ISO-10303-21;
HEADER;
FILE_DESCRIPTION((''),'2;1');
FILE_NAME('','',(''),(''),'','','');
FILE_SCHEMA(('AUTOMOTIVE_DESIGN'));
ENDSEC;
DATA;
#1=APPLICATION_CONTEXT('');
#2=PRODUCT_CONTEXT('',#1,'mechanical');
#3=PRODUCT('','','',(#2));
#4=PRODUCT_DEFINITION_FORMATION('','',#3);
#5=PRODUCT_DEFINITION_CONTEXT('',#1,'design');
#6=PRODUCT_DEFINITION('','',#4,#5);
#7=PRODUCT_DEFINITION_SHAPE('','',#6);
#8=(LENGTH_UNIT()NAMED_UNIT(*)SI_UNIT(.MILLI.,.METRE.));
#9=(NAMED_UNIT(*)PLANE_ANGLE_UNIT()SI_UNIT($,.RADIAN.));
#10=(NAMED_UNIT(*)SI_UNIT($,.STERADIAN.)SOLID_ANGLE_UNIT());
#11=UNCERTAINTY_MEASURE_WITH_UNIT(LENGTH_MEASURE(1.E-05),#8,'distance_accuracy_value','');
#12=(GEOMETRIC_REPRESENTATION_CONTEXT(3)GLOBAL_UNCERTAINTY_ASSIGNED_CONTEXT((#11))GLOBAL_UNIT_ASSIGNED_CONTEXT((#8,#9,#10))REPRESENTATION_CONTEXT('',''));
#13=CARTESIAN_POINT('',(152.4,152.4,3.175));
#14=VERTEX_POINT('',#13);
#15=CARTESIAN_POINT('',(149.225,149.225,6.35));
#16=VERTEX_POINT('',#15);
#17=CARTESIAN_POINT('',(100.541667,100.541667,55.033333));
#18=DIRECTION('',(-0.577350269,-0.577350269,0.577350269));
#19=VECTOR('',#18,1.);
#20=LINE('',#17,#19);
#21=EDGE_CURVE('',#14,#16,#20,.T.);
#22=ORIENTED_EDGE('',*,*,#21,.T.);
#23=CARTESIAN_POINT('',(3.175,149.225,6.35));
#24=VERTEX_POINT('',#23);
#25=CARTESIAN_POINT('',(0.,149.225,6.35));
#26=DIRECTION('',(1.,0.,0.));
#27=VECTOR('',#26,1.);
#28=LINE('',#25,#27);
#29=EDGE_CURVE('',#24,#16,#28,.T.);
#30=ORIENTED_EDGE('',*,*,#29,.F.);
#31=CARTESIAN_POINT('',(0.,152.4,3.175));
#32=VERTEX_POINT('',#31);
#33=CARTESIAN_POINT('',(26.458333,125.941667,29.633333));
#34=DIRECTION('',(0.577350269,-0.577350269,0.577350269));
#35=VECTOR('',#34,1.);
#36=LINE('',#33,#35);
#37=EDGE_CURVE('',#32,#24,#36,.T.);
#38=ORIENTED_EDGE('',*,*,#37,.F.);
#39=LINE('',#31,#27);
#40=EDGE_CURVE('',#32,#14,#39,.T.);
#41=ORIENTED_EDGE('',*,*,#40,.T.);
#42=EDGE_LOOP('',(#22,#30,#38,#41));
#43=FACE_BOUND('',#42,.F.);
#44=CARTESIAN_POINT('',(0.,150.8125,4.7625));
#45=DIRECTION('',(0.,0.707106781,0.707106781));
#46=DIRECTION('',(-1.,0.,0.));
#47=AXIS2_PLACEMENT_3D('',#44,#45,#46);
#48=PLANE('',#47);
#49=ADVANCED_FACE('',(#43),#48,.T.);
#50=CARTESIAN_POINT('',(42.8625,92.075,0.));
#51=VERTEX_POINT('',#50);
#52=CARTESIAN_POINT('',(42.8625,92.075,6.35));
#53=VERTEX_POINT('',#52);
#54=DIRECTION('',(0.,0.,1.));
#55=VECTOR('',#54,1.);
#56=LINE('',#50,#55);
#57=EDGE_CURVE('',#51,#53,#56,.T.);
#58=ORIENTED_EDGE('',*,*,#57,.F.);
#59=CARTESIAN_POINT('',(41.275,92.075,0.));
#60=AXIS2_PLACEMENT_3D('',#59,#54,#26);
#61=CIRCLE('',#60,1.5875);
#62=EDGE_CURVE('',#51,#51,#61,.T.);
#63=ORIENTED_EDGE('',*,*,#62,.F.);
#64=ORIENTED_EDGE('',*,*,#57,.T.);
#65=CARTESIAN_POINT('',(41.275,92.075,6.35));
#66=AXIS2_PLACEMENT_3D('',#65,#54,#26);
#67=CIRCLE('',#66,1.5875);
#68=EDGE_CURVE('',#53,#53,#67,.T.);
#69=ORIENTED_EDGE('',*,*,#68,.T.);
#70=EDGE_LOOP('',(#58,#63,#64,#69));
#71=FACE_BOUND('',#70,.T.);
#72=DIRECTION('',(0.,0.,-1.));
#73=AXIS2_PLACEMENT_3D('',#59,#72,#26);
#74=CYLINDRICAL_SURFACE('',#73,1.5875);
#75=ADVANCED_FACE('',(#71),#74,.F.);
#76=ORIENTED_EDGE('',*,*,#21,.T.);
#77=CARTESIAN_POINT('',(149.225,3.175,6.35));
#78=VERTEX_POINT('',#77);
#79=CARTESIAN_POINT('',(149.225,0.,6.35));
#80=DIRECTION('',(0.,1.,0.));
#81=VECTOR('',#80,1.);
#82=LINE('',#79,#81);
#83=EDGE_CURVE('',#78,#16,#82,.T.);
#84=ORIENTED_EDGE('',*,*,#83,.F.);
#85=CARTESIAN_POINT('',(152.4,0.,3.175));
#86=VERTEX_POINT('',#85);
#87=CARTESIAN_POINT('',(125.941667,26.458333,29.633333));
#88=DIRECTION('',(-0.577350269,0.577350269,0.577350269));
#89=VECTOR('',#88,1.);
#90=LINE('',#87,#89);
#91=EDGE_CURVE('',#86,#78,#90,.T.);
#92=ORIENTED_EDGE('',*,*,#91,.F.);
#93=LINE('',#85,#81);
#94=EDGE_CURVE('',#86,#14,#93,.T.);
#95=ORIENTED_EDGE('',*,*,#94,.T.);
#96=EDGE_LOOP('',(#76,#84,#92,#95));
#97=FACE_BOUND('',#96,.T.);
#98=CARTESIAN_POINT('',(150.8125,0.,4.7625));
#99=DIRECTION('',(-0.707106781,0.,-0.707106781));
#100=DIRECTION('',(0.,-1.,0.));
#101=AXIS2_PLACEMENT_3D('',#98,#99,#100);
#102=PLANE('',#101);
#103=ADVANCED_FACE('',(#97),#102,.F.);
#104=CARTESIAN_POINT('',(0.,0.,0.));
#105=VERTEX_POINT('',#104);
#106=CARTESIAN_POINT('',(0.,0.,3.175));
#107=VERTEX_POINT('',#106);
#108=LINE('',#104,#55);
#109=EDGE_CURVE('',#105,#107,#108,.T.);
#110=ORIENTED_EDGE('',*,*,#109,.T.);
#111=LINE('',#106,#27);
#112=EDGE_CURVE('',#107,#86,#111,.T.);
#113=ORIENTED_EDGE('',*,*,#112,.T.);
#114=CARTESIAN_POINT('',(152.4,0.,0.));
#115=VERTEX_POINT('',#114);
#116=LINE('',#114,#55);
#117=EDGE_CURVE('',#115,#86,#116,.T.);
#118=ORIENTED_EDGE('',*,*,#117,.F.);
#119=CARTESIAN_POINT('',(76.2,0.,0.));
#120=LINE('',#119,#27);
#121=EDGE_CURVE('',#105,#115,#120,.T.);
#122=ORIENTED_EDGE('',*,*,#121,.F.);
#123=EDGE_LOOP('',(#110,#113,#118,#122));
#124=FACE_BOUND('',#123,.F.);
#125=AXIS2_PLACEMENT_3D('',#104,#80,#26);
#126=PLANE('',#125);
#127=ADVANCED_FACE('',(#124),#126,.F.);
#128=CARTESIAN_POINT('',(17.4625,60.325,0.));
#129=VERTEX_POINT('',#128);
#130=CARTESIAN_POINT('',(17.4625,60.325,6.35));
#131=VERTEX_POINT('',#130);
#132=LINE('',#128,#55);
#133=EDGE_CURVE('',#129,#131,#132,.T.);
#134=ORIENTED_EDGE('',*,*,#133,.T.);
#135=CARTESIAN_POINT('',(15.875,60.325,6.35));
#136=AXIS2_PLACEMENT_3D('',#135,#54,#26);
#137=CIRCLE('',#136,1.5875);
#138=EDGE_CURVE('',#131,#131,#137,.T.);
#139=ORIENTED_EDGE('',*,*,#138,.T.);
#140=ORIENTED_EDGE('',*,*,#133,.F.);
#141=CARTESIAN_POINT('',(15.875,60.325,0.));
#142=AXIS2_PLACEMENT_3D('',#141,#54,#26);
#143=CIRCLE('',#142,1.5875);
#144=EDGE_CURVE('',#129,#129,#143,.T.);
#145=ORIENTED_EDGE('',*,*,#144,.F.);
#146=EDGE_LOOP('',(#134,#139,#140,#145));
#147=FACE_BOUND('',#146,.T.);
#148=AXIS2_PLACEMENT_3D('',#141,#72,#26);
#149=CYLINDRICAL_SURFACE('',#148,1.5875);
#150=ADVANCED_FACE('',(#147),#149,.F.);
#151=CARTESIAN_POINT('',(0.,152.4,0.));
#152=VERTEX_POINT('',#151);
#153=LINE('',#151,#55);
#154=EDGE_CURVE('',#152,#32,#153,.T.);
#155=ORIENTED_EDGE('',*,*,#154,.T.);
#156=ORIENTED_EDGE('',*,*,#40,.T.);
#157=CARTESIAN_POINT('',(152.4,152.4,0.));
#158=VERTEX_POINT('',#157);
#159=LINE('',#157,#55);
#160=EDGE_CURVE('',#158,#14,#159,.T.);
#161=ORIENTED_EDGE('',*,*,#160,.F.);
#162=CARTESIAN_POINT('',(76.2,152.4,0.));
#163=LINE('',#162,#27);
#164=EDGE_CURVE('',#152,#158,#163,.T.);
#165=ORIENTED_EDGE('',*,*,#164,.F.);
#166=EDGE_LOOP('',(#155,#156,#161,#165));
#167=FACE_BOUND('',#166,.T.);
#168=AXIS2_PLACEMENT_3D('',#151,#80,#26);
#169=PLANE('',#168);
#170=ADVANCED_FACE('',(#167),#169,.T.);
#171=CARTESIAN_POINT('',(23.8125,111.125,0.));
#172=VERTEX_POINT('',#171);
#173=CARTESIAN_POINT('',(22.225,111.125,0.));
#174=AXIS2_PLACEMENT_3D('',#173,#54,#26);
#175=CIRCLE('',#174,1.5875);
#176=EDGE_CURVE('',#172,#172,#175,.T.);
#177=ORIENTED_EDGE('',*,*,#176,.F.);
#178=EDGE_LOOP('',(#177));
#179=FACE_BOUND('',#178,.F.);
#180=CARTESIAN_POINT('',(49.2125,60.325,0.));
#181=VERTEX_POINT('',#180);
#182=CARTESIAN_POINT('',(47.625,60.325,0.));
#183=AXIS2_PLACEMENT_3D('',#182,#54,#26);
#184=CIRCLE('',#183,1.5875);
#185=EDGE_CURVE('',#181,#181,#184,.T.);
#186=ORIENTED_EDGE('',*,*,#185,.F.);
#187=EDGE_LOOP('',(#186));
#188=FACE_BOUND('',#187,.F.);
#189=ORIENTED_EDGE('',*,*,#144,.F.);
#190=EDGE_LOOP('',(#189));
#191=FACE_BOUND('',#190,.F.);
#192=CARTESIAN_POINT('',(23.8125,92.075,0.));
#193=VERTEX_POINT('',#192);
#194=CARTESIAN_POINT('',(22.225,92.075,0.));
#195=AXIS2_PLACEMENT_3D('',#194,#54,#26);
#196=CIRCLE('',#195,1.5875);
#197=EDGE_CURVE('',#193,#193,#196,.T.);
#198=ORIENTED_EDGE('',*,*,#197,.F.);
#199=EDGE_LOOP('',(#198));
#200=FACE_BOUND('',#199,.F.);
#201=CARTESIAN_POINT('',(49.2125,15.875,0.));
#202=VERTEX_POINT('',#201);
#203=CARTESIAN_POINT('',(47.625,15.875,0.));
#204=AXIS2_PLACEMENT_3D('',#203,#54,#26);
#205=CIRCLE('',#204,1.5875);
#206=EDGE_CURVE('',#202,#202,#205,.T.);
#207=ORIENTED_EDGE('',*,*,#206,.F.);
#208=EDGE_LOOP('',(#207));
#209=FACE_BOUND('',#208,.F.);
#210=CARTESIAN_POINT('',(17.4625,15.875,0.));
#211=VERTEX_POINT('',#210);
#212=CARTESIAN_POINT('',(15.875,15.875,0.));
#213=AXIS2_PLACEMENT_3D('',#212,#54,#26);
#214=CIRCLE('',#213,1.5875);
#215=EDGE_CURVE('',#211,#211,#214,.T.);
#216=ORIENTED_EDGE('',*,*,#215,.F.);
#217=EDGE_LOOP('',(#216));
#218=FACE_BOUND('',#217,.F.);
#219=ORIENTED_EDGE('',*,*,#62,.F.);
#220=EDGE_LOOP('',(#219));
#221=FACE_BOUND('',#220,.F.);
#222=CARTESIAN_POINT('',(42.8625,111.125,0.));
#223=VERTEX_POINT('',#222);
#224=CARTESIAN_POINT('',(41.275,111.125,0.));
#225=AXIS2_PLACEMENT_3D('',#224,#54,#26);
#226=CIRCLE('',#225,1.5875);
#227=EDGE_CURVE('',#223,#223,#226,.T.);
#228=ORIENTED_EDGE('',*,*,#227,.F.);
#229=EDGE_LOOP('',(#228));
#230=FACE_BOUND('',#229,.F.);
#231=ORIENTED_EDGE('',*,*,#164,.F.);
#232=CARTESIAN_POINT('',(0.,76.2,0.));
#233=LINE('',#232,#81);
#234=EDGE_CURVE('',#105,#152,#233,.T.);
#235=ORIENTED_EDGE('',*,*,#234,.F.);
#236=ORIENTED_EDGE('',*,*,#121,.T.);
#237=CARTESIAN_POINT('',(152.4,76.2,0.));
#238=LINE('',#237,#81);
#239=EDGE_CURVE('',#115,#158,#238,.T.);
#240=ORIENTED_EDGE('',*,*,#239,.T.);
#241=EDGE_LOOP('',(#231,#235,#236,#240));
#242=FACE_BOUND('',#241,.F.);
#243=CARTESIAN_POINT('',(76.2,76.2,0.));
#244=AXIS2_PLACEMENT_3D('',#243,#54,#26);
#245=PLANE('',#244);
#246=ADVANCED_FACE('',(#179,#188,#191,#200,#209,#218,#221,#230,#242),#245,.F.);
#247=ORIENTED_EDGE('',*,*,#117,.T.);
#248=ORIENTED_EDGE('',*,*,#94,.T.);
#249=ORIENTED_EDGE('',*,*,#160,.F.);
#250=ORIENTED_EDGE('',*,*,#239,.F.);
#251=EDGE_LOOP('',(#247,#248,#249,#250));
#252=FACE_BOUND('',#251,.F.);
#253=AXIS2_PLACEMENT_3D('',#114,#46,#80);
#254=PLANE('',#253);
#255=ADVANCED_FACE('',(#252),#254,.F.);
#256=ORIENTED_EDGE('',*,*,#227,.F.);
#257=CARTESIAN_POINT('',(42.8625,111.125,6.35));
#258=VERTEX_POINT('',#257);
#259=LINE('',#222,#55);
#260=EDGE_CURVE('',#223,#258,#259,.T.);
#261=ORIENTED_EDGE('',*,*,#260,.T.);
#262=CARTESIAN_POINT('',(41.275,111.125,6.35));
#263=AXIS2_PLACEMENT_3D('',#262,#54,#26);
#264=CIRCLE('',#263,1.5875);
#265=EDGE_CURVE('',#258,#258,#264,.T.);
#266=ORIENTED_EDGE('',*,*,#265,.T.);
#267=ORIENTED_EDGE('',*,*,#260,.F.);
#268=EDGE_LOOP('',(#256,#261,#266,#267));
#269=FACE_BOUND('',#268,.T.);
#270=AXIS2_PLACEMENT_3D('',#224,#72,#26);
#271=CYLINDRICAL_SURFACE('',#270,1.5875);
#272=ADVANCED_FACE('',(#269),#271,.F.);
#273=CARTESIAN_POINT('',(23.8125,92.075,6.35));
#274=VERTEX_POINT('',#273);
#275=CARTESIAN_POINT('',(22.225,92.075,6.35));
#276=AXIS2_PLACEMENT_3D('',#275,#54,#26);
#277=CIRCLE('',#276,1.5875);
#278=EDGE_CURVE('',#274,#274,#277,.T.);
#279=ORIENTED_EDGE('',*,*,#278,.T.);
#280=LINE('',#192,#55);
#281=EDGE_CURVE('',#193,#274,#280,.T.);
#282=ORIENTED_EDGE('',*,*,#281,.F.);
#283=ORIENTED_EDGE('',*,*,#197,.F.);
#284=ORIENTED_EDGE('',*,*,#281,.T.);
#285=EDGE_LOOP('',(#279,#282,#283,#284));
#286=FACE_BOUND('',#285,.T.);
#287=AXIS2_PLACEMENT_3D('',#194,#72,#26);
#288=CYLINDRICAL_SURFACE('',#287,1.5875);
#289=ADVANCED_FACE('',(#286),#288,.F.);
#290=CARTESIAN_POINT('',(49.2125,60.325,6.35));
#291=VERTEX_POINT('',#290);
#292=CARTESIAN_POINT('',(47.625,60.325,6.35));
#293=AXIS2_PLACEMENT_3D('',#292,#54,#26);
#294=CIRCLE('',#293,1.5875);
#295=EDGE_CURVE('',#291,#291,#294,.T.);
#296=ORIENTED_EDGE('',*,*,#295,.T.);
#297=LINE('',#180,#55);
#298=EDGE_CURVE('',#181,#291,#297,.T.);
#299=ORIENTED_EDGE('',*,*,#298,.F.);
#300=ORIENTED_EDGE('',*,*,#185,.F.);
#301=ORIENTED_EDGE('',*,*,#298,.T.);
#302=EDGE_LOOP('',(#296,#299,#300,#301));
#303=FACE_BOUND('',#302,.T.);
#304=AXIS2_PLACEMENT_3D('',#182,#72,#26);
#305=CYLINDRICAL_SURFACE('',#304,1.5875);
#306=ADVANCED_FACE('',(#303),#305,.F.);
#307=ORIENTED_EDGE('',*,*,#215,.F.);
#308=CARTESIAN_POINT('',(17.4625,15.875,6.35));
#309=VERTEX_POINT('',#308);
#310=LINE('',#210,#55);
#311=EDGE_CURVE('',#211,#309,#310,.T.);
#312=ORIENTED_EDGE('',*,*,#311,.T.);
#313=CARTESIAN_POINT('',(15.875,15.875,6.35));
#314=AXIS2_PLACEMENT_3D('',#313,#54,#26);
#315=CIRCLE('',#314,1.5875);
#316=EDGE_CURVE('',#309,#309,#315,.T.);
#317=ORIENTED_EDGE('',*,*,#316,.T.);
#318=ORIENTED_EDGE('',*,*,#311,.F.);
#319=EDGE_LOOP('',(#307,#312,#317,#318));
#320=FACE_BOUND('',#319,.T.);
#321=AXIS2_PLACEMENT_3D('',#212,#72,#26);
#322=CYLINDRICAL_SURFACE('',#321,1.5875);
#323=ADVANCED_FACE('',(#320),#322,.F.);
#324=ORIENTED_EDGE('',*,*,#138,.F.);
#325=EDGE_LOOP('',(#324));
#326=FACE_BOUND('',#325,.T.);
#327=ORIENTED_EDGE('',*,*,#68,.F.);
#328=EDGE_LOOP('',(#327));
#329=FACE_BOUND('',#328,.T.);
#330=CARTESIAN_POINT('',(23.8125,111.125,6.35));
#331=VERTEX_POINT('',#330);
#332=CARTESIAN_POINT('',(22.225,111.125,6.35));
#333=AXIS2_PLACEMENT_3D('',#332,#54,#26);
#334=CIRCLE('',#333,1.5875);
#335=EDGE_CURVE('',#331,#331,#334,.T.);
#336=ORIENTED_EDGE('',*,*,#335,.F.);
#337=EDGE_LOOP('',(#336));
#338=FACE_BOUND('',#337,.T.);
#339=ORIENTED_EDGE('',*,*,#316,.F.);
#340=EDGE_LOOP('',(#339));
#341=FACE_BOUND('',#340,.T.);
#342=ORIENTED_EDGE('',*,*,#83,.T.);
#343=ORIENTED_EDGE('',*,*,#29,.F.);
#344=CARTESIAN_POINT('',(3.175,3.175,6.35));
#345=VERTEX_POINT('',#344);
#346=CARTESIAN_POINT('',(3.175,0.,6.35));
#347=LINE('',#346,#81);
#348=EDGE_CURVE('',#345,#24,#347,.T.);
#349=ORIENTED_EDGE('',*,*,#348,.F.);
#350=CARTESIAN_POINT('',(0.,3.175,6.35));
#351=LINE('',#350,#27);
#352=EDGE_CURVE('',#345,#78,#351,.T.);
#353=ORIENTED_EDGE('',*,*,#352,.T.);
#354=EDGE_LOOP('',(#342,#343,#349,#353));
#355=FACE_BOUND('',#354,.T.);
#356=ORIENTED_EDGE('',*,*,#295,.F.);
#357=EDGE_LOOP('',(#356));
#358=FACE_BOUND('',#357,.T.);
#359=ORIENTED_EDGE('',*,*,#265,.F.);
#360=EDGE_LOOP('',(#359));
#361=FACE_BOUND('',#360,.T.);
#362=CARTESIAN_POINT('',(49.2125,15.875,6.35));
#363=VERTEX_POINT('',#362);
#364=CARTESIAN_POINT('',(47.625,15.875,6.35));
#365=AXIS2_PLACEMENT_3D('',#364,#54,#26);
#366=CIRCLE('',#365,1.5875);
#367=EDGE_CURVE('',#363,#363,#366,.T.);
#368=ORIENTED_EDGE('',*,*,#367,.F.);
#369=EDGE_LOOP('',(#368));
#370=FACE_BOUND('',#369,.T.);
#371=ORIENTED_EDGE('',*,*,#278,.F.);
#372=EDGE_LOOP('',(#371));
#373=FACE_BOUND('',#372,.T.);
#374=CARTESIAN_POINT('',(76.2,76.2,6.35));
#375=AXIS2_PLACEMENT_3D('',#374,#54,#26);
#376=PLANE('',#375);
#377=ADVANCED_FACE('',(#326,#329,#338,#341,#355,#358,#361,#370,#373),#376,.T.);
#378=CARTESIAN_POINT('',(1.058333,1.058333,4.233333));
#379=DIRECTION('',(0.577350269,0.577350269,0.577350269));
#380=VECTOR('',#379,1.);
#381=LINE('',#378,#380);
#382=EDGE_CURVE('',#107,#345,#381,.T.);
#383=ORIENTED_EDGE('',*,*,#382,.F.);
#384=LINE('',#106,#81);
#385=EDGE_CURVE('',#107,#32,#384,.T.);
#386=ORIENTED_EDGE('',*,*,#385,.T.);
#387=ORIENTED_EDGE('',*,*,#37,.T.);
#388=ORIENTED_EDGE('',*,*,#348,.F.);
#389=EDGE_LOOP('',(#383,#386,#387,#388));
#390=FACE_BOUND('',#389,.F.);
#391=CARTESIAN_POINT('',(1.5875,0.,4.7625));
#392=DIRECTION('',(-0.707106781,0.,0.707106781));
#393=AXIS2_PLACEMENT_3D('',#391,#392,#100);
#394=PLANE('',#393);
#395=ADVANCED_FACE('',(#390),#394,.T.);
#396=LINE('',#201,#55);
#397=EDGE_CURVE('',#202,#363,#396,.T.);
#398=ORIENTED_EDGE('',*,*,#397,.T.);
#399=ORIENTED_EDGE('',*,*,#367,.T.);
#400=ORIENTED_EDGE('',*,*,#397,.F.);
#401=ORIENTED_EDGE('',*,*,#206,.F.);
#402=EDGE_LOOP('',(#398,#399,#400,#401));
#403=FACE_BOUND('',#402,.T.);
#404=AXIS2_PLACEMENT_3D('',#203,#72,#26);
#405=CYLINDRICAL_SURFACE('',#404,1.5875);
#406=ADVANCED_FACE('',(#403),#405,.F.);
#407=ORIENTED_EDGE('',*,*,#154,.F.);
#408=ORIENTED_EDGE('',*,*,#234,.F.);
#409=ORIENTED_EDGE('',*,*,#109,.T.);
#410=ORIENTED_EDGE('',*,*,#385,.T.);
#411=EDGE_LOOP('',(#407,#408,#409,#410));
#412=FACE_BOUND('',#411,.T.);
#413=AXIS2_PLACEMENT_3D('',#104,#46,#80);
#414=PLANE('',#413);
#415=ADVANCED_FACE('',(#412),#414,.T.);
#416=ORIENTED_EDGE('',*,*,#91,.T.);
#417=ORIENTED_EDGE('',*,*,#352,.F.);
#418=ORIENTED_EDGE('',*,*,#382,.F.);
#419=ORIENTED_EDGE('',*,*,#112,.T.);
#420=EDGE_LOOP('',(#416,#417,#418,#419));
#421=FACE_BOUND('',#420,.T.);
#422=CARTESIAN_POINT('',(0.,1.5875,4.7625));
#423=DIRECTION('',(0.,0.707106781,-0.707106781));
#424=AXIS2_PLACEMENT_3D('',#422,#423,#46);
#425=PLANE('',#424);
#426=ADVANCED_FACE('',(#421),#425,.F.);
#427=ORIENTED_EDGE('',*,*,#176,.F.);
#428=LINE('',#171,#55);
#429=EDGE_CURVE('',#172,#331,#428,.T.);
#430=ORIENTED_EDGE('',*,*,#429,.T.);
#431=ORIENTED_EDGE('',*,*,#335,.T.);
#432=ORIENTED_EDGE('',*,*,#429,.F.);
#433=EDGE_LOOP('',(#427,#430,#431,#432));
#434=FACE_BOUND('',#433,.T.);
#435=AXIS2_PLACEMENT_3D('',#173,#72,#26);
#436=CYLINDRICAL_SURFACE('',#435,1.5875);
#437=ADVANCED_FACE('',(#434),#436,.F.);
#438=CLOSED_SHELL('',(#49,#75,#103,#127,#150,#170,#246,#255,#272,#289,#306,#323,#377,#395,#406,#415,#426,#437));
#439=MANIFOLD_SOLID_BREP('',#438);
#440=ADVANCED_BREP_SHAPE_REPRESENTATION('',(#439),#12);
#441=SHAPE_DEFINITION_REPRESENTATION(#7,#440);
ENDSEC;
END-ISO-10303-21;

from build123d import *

# Parameters (mm, degrees)
F0_W     = 152.4
F0_H     = 152.4
F0_R     = 1.5875
F1_DEPTH = 6.35
F2_SIZE  = 3.175


with BuildPart() as f1:
    # F0 (on Top) → F1 (new body)
    with BuildSketch(Plane.XY):
        with Locations((76.2, 76.2)):
            Rectangle(F0_W, F0_H)
        with Locations((15.875, 15.875)):
            Circle(F0_R, mode=Mode.SUBTRACT)
        with Locations((47.625, 15.875)):
            Circle(F0_R, mode=Mode.SUBTRACT)
        with Locations((15.875, 60.325)):
            Circle(F0_R, mode=Mode.SUBTRACT)
        with Locations((47.625, 60.325)):
            Circle(F0_R, mode=Mode.SUBTRACT)
        with Locations((22.225, 92.075)):
            Circle(F0_R, mode=Mode.SUBTRACT)
        with Locations((22.225, 111.125)):
            Circle(F0_R, mode=Mode.SUBTRACT)
        with Locations((41.275, 92.075)):
            Circle(F0_R, mode=Mode.SUBTRACT)
        with Locations((41.275, 111.125)):
            Circle(F0_R, mode=Mode.SUBTRACT)
    extrude(amount=F1_DEPTH)

    # F2
    f2_edges = [f1.edges().sort_by_distance(p)[0] for p in [
        (0, 76.2, 6.35),
        (76.2, 0, 6.35),
        (152.4, 76.2, 6.35),
        (76.2, 152.4, 6.35),
    ]]
    chamfer(f2_edges, length=F2_SIZE)


solid = f1.part
